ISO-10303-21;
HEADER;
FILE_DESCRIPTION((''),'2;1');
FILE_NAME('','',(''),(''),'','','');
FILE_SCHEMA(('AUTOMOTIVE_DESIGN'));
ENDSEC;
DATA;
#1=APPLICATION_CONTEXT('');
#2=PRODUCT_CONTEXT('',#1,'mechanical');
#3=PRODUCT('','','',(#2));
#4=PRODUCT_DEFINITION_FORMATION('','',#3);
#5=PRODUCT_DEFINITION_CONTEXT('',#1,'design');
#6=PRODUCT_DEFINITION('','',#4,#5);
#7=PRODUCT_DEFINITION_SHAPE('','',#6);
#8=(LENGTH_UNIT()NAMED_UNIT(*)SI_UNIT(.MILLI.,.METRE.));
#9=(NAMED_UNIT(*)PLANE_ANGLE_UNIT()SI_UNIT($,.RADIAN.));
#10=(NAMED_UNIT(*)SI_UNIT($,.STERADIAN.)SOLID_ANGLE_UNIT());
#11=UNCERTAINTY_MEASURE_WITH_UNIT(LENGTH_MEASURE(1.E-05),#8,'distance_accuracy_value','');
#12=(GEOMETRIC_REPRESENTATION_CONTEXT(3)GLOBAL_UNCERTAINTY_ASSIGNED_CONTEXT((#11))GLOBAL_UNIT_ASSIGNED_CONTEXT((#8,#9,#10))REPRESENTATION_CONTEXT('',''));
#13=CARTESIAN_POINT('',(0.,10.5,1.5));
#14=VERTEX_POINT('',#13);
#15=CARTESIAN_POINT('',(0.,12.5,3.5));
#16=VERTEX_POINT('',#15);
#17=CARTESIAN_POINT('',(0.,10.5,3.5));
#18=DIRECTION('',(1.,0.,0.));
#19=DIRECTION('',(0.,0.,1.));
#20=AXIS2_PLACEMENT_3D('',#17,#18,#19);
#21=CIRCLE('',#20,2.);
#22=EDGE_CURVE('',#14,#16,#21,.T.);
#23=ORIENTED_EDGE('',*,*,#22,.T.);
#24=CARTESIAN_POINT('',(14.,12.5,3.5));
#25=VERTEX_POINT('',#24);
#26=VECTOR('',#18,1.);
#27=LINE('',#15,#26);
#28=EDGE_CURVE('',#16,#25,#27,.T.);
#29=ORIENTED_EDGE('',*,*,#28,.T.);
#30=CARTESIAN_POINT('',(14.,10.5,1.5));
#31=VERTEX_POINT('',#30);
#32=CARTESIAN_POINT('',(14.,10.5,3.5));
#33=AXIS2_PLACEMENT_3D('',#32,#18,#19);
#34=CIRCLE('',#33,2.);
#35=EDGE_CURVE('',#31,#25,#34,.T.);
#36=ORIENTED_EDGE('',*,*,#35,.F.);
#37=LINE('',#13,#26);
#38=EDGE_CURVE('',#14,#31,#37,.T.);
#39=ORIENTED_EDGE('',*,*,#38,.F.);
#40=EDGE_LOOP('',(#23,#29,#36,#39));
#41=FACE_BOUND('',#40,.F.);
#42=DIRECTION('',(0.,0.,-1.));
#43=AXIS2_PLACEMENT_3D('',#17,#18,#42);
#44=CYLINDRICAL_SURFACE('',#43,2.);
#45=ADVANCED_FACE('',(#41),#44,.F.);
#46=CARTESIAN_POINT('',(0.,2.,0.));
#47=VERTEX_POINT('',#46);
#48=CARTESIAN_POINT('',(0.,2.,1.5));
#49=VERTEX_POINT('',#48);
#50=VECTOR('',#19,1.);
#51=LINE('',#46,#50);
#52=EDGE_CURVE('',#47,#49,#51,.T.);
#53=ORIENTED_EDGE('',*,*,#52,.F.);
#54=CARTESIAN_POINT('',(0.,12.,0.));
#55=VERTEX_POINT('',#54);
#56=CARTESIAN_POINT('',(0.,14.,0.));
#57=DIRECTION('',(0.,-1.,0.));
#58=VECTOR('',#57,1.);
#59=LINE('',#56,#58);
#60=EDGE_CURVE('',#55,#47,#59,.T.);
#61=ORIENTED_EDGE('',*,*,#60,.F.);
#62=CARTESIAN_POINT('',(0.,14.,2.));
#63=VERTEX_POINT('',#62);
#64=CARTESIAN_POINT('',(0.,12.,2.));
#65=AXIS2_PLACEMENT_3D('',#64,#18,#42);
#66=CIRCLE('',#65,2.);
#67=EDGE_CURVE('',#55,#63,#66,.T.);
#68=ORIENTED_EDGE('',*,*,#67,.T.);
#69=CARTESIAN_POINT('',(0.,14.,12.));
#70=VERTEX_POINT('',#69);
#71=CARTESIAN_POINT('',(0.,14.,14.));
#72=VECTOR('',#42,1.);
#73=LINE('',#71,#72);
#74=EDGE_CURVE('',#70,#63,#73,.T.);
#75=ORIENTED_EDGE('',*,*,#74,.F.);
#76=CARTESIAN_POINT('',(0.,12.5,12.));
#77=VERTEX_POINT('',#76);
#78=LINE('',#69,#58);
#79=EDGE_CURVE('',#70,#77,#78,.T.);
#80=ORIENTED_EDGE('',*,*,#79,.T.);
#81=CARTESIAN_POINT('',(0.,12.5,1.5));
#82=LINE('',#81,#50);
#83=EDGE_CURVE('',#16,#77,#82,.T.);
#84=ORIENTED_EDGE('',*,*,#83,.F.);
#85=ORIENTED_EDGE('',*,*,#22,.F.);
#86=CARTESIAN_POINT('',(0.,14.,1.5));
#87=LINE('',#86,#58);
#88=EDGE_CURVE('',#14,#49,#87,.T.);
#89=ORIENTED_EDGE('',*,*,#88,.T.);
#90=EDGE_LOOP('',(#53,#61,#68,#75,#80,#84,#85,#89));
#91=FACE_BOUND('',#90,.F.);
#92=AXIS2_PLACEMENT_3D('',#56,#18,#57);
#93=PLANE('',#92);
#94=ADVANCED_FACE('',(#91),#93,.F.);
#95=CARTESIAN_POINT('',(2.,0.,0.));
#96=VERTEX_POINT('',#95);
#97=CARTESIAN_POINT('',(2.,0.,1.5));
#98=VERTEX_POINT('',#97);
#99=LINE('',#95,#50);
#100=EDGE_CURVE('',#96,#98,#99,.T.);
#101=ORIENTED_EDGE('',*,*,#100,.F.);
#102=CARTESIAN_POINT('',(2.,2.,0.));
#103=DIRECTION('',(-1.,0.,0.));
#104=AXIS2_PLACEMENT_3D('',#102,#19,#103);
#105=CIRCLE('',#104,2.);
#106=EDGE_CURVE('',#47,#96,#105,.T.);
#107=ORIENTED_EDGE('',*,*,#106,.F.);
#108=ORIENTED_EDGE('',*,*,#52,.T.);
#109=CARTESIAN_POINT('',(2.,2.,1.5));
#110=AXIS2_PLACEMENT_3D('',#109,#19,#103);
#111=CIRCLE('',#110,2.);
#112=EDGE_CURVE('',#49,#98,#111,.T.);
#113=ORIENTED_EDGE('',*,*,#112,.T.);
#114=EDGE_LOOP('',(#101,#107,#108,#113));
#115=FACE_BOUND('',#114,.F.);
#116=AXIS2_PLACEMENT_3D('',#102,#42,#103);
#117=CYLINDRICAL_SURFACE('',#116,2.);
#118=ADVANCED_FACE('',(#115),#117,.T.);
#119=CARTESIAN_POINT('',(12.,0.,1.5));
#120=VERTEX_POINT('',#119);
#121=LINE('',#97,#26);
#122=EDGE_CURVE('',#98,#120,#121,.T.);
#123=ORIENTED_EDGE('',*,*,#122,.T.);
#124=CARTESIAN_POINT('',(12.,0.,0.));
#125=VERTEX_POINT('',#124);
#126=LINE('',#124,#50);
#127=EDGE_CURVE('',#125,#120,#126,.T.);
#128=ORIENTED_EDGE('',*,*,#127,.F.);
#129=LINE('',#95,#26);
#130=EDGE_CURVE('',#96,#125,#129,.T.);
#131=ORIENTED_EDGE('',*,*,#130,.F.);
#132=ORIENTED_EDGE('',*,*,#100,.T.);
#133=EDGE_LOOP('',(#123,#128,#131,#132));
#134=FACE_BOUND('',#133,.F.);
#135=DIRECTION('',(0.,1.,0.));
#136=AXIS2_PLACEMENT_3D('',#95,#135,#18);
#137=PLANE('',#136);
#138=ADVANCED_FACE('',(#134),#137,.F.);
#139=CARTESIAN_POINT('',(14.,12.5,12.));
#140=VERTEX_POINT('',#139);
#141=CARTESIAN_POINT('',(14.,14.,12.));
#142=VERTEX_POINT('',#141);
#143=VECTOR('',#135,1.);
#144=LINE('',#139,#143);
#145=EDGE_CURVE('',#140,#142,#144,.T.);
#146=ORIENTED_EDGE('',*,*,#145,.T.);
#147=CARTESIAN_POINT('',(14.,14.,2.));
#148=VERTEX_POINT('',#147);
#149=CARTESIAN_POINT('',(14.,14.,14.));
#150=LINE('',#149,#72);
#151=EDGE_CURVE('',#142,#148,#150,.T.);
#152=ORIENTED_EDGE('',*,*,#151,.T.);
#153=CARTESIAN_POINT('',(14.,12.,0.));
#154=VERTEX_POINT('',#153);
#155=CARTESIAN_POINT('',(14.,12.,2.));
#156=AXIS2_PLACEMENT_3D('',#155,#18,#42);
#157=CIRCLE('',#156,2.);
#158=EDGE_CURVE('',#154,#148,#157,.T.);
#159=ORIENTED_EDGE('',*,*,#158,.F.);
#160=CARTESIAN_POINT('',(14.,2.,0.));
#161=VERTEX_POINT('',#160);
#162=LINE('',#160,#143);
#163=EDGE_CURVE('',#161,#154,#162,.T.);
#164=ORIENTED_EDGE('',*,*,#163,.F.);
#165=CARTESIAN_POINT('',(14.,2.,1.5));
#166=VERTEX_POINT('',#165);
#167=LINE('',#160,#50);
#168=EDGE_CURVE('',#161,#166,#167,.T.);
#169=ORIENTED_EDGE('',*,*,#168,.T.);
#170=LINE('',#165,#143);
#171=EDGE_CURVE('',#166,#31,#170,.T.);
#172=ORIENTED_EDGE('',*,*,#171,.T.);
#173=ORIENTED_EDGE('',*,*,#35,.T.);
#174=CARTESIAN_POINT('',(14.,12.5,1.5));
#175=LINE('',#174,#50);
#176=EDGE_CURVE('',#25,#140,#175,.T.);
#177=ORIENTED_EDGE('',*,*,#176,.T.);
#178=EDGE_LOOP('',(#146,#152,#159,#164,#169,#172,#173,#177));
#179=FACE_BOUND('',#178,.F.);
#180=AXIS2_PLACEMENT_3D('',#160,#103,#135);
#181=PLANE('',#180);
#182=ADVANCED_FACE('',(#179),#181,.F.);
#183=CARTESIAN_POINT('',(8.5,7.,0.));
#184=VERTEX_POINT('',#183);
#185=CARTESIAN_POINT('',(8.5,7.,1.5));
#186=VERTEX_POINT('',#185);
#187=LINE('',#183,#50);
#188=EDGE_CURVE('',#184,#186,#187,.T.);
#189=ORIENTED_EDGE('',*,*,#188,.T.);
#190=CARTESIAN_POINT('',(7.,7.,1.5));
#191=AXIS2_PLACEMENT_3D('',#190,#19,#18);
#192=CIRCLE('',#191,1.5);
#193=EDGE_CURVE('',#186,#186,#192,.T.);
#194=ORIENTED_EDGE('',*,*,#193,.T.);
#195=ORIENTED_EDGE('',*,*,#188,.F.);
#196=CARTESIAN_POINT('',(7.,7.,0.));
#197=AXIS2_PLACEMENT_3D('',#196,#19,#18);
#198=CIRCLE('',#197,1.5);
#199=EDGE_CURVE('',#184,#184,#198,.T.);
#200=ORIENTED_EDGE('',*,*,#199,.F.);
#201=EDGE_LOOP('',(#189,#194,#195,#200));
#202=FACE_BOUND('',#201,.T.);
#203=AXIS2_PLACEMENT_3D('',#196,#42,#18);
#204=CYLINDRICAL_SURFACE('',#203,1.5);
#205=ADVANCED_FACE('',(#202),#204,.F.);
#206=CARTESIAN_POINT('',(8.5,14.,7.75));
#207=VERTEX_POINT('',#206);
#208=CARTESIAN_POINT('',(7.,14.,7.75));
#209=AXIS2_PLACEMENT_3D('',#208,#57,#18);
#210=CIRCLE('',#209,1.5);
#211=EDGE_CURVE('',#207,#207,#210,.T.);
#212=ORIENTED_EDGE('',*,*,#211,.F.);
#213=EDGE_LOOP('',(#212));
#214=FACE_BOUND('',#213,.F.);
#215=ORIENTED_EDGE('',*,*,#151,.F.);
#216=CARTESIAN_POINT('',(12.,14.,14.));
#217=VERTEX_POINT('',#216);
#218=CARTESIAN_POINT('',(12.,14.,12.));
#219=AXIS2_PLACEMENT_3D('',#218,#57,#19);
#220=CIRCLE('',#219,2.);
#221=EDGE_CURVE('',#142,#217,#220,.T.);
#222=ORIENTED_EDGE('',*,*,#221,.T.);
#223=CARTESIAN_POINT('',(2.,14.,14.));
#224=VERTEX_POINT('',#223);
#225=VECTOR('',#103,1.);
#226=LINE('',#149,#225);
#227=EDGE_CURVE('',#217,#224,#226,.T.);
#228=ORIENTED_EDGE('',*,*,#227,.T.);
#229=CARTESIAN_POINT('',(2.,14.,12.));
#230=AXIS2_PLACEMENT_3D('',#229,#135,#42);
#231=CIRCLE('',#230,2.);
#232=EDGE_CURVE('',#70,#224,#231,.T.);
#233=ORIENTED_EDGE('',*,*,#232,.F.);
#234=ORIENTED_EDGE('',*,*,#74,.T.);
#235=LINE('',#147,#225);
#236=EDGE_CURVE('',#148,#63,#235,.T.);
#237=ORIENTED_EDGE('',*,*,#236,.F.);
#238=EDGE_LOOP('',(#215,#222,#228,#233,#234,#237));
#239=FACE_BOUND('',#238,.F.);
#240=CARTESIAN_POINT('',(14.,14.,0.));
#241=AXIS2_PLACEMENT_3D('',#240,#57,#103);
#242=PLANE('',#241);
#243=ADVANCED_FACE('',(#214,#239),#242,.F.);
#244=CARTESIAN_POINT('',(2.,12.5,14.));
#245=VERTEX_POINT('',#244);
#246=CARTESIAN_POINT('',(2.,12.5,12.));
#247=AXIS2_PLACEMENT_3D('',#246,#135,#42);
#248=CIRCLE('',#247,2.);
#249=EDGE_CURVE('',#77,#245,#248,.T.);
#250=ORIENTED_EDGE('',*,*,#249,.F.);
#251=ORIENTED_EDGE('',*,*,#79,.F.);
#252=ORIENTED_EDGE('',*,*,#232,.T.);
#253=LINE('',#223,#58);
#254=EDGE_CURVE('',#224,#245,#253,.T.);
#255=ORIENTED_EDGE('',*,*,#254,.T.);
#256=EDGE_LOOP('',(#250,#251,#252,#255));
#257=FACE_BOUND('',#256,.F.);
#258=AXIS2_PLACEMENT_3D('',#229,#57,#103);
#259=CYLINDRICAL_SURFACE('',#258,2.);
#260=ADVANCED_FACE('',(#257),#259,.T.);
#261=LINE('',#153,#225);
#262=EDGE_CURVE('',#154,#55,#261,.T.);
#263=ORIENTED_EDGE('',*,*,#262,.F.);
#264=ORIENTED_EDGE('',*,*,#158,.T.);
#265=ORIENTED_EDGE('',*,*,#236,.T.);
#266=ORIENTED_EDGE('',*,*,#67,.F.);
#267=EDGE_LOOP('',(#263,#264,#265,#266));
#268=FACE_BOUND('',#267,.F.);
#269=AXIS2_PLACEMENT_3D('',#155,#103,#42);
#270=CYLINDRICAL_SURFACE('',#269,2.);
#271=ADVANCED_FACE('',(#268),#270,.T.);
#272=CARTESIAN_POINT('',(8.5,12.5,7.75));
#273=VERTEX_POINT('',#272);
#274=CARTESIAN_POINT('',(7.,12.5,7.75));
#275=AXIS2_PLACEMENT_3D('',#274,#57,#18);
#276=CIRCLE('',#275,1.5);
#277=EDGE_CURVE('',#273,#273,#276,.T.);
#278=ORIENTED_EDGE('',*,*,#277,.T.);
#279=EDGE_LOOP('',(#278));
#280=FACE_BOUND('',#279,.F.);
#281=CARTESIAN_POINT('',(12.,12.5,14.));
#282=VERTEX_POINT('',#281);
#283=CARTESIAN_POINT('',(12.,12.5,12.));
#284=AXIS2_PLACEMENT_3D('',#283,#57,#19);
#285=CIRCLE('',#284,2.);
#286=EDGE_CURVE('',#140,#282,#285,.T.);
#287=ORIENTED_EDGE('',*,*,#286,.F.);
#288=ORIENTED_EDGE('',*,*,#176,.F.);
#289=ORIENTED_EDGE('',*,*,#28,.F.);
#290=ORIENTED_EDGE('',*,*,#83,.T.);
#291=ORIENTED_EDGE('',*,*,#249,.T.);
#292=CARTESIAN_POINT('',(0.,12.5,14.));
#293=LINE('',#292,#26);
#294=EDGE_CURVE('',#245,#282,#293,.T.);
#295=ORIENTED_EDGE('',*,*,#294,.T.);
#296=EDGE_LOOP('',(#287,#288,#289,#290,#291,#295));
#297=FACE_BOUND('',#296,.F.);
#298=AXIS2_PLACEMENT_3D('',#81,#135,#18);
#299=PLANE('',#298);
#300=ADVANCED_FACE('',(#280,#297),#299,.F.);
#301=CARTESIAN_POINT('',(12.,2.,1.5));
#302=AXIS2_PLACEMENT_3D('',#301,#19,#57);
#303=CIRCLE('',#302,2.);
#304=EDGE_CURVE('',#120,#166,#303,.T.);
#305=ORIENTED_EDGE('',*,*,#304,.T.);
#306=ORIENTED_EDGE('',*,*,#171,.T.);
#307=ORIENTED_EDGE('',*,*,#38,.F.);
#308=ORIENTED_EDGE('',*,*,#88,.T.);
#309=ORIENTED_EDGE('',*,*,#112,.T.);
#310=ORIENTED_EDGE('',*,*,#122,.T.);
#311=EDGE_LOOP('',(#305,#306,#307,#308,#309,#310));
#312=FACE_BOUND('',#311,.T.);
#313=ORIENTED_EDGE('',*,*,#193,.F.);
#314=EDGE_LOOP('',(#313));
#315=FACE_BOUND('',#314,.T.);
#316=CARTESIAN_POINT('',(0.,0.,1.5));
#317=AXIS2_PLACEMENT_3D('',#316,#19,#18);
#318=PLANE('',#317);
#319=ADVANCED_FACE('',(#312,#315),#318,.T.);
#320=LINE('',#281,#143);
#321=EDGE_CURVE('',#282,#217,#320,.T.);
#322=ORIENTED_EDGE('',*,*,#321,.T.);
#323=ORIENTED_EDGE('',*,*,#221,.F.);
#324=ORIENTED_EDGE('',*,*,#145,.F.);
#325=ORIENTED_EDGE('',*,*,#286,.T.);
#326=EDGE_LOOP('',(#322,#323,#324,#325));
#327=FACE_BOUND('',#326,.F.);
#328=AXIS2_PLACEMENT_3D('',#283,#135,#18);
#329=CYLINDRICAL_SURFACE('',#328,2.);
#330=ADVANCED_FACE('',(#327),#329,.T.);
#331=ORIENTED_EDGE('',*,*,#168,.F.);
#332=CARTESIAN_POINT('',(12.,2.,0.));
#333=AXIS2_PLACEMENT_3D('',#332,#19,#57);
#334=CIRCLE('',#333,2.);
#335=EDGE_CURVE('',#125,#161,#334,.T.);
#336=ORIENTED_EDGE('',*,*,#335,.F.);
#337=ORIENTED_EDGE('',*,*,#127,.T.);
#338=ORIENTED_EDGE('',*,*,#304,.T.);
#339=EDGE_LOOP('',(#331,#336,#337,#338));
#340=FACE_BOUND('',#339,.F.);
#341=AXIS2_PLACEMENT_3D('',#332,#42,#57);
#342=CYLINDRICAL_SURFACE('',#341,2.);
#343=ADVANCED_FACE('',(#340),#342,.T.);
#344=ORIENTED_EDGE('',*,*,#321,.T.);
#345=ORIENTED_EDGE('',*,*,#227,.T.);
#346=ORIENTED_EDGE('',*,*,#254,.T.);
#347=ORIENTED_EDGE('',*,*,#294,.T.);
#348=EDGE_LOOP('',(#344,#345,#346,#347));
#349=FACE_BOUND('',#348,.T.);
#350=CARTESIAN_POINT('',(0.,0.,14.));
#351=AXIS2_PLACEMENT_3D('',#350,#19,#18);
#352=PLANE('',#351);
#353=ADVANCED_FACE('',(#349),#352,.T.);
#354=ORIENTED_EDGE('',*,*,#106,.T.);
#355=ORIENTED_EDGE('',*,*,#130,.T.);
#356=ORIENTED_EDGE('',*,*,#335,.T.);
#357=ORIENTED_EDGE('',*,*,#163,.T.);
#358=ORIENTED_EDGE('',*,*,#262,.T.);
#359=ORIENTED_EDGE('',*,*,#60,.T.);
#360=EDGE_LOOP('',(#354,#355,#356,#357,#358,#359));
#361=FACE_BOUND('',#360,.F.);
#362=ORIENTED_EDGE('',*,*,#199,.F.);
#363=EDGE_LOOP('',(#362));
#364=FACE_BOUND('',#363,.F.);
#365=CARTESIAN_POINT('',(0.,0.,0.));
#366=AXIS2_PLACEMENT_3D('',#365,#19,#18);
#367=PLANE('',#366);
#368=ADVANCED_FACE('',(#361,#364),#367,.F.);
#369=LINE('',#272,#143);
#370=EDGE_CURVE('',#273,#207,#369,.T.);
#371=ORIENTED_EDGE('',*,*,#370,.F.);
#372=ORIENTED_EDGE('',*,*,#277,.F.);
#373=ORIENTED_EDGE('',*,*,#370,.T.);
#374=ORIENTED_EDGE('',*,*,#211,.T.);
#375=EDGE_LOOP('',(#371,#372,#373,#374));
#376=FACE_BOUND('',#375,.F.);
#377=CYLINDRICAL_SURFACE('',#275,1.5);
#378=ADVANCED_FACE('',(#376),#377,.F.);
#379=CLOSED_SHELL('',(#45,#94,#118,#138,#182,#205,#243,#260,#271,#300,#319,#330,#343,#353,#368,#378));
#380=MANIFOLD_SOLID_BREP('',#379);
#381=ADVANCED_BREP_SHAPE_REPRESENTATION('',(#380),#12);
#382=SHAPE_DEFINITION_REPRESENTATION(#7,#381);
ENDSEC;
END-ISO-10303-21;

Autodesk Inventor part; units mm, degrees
ref_plane "YZ Plane" through (0, 0, 0) normal (1, 0, 0) x (0, 1, 0)
ref_plane "XZ Plane" through (0, 0, 0) normal (0, 1, 0) x (-1, 0, 0)
ref_plane "XY Plane" through (0, 0, 0) normal (0, 0, 1) x (1, 0, 0)
sketch "Эскиз1" plane through (0, 0, 0) normal (0, 0, 1) x (1, 0, 0)
  line L0 (2, 0) -> (12, 0)
  line L1 (14, 2) -> (14, 14)
  line L2 (14, 14) -> (0, 14)
  line L3 (0, 14) -> (0, 2)
  circle A0 centre (7, 7) radius 1.5
  arc A1 (0, 2) -> (2, 0) centre (2, 2) ccw
  arc A2 (12, 0) -> (14, 2) centre (12, 2) ccw
  point P0 (0, 0)
  point P1 (14, 0)
  dimension "d0" = 14
  dimension "d1" = 14
  dimension "d2" = 3
  dimension "d5" = 2
extrude "Выдавливание1" add sketch "Эскиз1" along normal blind 1.5
sketch "Эскиз2" plane through (0, 0, 1.5) normal (0, 0, 1) x (1, 0, 0)
  line L0 (14, 2) -> (14, 14) projected
  line L1 (14, 14) -> (0, 14)
  line L2 (0, 14) -> (0, 12.5)
  line L3 (0, 12.5) -> (14, 12.5)
  line L4 (14, 12.5) -> (14, 14)
  point P0 (0, 0)
  dimension "d6" = 14
  dimension "d7" = 1.5
extrude "Выдавливание2" add sketch "Эскиз2" along normal blind 12.5
fillet "Сопряжение1" radius 2 4 edges at (0, 13.25, 14) (14, 13.25, 14) (7, 12.5, 1.5) (7, 14, 0)
sketch "Эскиз3" plane through (0, 12.5, 3.5) normal (0, -1, 0) x (1, 0, 0)
  line L0 (2, 10.5) -> (12, 10.5) projected
  line L1 (7, 10.5) -> (7, 9.5925)
  line L2 (0, 0) -> (0, 8.5) projected
  line L3 (0, 4.25) -> (2.1841, 4.25)
  circle A0 centre (7, 4.25) radius 1.5
  point P0 (0, -3.5)
  dimension "d11" = 3
extrude "Выдавливание3" cut sketch "Эскиз3" against normal blind 12.5
properties part number "угол 25-26"
